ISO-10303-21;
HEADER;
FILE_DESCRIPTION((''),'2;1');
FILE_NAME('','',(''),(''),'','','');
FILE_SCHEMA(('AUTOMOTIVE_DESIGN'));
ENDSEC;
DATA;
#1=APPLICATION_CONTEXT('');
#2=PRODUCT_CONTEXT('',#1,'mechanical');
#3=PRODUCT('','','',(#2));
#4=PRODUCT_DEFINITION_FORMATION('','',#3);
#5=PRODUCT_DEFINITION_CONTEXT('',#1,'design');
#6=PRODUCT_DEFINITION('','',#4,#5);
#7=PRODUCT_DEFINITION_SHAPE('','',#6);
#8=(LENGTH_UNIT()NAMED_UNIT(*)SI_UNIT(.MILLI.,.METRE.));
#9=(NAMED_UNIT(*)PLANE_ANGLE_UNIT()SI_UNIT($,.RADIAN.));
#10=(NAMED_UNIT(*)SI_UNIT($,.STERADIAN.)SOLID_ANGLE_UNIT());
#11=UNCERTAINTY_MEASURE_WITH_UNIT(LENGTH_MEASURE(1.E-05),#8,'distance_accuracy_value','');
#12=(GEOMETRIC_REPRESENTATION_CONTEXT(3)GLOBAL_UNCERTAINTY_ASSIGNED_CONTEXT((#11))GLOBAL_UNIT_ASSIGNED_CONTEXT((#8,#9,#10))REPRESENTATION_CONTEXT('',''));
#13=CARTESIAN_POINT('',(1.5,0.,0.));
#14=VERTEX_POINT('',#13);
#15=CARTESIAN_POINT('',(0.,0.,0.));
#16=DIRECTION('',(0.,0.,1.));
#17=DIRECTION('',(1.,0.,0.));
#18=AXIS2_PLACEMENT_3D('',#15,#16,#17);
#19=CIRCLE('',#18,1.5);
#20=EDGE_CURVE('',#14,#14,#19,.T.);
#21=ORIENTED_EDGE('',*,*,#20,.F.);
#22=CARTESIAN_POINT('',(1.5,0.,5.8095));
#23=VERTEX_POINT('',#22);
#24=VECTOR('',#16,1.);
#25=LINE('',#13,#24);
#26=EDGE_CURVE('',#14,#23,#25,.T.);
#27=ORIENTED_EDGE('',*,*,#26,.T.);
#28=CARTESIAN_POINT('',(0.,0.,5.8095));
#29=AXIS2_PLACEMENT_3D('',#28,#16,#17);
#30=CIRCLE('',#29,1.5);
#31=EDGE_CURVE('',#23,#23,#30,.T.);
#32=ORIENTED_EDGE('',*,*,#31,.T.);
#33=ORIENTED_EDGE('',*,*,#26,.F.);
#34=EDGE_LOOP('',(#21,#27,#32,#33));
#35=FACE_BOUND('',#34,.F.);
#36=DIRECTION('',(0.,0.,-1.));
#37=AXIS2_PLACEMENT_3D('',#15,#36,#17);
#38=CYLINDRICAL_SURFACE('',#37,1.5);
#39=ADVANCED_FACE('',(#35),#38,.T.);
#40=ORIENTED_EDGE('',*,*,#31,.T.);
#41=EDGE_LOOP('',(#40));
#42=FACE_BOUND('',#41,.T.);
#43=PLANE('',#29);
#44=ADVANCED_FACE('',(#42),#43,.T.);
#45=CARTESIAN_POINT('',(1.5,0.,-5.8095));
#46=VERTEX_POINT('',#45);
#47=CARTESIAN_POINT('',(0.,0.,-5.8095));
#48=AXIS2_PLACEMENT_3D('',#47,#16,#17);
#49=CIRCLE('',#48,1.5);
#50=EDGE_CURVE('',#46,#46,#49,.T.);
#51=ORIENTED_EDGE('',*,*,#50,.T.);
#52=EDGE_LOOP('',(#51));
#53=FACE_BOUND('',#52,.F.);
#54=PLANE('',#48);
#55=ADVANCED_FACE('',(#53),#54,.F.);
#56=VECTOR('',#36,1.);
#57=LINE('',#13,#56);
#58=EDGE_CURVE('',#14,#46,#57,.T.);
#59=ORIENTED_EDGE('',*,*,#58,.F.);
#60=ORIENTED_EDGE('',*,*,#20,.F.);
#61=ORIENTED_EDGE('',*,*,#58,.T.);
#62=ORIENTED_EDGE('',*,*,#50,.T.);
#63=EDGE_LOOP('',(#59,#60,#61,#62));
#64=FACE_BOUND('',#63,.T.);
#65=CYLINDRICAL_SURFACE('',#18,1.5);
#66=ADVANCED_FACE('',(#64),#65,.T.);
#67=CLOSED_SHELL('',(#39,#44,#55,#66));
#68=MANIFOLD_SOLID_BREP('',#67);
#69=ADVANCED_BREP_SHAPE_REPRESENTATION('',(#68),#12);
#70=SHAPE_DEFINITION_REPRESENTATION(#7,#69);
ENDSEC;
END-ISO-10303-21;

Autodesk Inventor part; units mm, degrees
ref_plane "YZ Plane" through (0, 0, 0) normal (1, 0, 0) x (0, 1, 0)
ref_plane "XZ Plane" through (0, 0, 0) normal (0, 1, 0) x (-1, 0, 0)
ref_plane "XY Plane" through (0, 0, 0) normal (0, 0, 1) x (1, 0, 0)
sketch "Sketch1" plane through (0, 0, 0) normal (0, 0, 1) x (1, 0, 0)
  circle A0 centre (0, 0) radius 1.5
  dimension "d0" = 3
extrude "Extrusion1" add sketch "Sketch1" along normal mid plane 11.619
properties part number "TW1-003"
